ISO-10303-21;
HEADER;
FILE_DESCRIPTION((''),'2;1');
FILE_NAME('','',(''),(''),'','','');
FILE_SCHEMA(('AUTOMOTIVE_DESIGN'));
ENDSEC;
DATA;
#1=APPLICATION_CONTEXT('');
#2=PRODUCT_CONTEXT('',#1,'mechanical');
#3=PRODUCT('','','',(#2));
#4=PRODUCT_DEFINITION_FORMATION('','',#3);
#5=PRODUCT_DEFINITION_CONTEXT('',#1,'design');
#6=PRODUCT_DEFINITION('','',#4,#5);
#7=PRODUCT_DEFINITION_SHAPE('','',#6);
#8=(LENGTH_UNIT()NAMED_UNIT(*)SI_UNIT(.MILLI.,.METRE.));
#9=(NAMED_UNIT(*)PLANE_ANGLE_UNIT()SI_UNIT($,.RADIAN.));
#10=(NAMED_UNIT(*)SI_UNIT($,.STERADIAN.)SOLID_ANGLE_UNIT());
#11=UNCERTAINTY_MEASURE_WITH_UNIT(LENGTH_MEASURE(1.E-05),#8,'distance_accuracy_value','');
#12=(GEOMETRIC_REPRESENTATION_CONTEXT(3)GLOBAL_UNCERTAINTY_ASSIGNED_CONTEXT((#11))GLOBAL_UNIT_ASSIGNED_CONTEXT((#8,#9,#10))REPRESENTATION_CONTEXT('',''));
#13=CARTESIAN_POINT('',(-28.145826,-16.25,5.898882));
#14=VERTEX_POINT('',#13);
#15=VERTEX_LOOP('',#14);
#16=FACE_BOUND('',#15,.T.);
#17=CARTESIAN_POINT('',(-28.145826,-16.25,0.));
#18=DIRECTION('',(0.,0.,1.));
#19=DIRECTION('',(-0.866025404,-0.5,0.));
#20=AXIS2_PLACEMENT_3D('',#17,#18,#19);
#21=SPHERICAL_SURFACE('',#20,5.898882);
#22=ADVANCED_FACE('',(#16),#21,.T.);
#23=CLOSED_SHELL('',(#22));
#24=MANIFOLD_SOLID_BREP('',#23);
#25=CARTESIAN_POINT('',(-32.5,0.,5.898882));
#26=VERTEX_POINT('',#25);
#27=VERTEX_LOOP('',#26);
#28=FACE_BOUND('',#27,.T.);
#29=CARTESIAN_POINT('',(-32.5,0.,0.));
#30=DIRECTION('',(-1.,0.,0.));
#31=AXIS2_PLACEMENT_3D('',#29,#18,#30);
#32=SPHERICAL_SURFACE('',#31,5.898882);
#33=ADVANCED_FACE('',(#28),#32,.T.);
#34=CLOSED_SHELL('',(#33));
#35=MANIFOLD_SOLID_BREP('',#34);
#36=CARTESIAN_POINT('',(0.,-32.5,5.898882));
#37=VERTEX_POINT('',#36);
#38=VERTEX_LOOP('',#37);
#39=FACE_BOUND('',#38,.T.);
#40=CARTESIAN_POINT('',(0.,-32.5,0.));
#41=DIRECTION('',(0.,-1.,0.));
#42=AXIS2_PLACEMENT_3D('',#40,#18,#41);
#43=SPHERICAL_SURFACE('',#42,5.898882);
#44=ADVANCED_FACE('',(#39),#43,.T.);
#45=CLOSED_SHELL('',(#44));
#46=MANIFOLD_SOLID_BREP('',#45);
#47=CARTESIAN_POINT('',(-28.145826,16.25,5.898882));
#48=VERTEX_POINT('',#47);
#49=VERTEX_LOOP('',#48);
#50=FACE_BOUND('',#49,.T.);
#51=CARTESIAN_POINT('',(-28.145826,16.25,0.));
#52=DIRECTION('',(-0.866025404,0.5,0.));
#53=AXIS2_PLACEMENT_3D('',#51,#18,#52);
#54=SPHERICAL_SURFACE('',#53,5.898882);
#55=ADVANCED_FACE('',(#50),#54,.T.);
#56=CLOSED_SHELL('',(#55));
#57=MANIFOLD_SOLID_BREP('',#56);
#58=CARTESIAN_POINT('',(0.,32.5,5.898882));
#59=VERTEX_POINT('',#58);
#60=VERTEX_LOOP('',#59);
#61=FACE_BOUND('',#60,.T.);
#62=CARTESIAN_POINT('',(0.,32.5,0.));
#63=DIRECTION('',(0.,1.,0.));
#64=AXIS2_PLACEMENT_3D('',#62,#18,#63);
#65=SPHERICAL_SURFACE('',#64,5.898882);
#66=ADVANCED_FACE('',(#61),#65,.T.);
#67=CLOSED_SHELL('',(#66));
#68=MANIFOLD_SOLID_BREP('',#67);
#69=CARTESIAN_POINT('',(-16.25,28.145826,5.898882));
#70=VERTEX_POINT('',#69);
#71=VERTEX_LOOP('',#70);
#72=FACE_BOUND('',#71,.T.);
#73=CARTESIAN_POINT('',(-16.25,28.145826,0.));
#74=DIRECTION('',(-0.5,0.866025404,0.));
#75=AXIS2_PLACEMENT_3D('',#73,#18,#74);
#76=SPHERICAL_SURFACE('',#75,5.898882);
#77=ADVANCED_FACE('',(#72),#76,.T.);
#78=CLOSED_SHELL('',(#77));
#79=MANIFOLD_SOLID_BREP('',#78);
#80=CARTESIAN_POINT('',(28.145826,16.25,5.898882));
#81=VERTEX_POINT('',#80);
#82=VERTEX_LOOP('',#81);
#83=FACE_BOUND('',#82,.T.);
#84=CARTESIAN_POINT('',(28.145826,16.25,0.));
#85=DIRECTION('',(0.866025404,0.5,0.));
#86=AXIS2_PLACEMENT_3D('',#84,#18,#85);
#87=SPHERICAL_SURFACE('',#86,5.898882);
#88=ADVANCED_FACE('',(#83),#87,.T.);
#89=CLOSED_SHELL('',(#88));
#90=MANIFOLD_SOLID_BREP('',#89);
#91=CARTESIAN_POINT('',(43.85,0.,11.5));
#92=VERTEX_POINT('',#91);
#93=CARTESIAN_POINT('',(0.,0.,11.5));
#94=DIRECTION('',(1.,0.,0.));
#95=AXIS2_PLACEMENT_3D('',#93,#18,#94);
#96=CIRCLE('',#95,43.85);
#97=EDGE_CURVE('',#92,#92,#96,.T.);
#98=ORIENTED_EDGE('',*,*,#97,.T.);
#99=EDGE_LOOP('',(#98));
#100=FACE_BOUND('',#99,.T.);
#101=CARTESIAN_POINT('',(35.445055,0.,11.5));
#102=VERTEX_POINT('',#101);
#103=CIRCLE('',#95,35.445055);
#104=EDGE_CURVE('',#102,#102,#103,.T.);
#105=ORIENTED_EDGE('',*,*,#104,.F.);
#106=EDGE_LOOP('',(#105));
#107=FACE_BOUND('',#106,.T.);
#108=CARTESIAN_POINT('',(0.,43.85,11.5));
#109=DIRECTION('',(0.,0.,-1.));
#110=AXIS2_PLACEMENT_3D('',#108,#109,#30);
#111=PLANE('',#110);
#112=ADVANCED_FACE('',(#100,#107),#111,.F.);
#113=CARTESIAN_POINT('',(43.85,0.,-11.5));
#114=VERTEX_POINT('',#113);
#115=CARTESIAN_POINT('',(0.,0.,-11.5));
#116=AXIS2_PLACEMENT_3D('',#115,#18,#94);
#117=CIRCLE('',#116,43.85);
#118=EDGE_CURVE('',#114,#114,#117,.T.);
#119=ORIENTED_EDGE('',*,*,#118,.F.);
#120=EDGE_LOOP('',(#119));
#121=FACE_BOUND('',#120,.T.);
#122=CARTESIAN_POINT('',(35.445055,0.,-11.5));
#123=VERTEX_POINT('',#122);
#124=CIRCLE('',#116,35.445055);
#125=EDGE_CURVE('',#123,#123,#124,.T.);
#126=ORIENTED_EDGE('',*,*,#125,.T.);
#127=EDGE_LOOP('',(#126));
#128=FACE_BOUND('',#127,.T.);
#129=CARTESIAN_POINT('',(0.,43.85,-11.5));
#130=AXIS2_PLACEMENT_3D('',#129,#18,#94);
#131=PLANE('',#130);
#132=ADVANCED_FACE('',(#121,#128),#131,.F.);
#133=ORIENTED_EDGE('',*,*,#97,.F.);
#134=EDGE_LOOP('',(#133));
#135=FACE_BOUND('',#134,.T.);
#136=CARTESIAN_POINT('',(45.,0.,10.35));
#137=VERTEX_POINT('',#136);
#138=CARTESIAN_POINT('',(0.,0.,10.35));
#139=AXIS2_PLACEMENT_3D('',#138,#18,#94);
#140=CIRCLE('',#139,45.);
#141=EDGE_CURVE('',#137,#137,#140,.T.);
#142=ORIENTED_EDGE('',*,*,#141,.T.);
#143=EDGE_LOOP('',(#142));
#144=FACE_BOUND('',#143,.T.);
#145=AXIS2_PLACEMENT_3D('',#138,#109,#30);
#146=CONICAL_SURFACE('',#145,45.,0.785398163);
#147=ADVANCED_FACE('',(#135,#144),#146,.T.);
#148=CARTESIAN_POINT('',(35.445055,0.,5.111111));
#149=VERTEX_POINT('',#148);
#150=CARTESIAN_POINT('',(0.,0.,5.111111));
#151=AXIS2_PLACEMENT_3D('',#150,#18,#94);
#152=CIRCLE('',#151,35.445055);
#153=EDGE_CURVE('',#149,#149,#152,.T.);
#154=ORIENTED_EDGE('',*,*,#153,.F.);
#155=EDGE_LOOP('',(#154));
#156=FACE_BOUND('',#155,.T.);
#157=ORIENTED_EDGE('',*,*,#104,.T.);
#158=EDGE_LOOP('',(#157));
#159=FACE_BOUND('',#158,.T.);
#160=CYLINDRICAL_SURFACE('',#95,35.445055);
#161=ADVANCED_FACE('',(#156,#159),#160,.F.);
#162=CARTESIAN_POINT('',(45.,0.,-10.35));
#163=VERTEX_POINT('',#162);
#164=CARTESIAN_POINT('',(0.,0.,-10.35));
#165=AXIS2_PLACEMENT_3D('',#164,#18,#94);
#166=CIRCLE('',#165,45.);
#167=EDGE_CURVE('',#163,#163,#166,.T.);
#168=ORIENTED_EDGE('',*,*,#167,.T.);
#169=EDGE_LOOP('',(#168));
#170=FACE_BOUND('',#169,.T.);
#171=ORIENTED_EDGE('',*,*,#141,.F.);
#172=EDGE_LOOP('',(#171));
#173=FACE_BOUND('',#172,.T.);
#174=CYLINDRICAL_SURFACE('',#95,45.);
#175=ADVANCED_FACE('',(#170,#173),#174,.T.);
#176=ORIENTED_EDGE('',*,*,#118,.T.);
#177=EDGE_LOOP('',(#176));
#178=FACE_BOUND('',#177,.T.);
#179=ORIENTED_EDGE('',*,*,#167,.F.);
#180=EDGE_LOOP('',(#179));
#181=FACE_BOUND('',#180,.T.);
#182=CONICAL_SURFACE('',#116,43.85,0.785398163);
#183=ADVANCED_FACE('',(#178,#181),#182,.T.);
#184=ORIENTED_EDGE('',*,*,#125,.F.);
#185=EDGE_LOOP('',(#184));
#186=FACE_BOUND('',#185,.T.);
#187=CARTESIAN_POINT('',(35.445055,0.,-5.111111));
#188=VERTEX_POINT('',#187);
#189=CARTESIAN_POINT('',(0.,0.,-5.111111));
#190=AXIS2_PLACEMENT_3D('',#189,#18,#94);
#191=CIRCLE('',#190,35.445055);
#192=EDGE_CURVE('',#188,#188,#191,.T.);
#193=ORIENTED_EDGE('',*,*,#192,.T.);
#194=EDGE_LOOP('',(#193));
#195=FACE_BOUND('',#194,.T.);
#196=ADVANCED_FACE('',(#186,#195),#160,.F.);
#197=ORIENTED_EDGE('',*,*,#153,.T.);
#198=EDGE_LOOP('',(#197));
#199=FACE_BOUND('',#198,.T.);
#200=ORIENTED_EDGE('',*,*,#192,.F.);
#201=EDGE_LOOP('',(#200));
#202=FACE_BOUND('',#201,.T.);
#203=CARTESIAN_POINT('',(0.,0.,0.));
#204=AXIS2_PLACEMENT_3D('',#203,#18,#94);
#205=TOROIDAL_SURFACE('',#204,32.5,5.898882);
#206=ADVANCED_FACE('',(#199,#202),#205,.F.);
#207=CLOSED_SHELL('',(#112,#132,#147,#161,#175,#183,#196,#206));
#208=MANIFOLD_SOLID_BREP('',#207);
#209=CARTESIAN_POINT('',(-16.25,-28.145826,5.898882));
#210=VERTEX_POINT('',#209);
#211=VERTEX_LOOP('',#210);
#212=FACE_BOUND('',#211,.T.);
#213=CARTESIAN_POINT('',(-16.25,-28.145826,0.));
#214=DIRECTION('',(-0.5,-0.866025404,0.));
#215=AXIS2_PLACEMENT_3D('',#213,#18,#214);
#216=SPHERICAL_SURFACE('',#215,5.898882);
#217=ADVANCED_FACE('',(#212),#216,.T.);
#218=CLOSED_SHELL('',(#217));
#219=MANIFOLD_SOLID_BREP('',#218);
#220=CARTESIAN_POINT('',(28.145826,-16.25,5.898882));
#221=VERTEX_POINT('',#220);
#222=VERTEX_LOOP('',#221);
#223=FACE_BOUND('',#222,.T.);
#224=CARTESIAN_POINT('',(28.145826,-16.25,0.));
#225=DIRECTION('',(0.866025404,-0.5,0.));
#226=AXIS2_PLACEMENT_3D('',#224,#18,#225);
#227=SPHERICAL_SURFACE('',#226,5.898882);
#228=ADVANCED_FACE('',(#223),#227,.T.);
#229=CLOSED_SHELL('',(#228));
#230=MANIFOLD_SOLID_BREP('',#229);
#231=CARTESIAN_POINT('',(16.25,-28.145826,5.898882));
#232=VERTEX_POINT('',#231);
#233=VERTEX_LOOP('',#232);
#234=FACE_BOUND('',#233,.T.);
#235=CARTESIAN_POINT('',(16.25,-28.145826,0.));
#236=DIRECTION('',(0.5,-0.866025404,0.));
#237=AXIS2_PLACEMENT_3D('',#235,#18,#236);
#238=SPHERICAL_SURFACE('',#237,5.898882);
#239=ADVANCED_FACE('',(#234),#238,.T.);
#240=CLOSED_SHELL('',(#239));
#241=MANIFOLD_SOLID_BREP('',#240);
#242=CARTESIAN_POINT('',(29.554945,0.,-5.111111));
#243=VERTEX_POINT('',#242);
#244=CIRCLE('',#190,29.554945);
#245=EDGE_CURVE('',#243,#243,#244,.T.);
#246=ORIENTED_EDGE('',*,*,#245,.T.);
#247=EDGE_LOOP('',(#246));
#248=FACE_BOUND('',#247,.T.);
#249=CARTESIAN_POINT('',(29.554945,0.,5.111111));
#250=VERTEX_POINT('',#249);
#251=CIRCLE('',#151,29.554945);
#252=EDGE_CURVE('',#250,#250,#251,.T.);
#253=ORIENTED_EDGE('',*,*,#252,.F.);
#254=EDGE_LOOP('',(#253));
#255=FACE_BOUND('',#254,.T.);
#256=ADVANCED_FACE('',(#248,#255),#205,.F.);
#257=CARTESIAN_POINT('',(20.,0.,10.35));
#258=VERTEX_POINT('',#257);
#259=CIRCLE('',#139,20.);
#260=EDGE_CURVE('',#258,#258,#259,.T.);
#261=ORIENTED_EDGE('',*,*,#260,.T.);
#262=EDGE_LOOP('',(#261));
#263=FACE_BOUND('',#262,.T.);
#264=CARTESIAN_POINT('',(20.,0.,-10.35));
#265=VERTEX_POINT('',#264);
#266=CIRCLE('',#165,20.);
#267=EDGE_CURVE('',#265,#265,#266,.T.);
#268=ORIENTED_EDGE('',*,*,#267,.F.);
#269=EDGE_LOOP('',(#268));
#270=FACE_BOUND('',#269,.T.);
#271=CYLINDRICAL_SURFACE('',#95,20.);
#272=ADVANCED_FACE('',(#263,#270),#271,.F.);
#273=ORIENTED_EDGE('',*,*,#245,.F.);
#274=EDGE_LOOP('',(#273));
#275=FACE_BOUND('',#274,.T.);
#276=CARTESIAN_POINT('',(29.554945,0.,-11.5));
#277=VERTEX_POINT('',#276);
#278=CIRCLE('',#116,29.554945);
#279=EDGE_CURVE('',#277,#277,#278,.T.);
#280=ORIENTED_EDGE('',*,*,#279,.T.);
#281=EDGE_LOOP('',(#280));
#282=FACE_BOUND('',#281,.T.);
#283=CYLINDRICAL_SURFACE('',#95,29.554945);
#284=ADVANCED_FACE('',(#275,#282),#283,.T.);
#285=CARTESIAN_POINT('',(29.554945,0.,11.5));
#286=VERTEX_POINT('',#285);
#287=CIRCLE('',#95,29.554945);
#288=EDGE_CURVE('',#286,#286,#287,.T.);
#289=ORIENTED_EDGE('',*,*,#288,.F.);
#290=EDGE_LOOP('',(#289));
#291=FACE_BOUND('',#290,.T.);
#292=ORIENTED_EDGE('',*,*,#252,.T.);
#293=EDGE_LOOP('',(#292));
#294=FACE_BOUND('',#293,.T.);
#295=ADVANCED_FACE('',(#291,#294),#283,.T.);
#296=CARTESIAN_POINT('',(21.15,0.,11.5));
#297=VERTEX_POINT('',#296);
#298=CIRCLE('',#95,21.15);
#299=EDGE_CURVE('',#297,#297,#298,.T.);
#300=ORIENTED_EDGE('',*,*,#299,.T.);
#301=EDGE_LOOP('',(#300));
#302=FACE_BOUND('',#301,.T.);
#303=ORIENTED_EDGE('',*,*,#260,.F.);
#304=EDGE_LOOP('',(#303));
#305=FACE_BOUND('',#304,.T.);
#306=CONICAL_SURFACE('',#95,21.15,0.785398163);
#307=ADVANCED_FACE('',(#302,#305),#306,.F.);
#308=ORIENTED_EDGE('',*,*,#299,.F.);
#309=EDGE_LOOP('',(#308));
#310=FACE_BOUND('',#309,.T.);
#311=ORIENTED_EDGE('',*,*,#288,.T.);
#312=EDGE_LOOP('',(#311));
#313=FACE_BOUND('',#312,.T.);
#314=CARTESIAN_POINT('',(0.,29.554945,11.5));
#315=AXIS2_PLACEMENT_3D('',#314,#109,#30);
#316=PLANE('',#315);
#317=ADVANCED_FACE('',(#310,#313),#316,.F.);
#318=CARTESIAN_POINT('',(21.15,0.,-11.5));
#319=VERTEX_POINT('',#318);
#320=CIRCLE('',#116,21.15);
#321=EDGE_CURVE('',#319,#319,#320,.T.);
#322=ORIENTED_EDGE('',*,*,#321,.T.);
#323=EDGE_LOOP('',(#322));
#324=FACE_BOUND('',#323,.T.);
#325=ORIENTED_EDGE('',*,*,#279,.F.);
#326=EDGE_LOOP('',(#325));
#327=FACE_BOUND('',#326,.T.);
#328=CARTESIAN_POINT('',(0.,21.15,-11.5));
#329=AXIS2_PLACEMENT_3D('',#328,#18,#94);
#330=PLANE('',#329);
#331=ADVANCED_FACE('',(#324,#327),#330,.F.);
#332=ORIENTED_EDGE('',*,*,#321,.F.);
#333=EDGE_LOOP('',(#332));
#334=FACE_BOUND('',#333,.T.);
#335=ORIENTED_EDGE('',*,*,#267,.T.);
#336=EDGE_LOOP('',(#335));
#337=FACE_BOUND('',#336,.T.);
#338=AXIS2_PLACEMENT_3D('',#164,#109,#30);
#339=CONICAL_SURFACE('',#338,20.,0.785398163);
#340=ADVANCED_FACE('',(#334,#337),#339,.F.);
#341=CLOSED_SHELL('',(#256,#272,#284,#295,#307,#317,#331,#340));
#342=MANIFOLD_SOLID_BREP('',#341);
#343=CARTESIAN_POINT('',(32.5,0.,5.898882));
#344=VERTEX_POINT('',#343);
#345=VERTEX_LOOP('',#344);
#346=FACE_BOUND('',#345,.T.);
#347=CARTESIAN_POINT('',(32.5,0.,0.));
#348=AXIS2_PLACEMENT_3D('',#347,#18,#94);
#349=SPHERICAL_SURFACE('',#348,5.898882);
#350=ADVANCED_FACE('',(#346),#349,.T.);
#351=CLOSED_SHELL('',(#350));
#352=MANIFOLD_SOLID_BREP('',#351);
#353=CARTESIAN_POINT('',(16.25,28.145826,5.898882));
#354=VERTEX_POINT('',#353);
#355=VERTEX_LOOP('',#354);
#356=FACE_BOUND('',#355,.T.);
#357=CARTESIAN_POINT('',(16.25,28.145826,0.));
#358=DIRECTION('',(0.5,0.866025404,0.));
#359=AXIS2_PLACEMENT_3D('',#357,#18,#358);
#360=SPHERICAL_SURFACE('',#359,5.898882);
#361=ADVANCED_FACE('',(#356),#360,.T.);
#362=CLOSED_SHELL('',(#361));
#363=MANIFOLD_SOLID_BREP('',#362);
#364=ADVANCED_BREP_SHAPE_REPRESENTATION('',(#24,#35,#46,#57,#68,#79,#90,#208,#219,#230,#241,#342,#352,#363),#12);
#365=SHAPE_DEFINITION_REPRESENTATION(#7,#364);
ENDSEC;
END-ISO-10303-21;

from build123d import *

# Parameters (mm, degrees)
CIRPATTERN1_COUNT = 12


with BuildPart() as part:
    # Sketch1 → Revolve1 (revolve)
    with BuildSketch(Plane(origin=(0, 0, 0), x_dir=(0, 0, -1), z_dir=(1, 0, 0))):
        with BuildLine():
            Line((10.35, 45), (-10.35, 45))
            Line((-10.35, 45), (-11.5, 43.85))
            Line((-11.5, 43.85), (-11.5, 35.445054945))
            Line((-11.5, 35.445054945), (-5.111111111, 35.445054945))
            ThreePointArc((-5.111111111, 35.445054945), (0, 38.398881709), (5.111111111, 35.445054945))
            Line((5.111111111, 35.445054945), (11.5, 35.445054945))
            Line((11.5, 35.445054945), (11.5, 43.85))
            Line((11.5, 43.85), (10.35, 45))
        make_face()
    revolve(axis=Axis((0, 0, 11.5), (0, 0, -1)))


with BuildPart() as body_2:
    # Sketch3 → Revolve3 (revolve)
    with BuildSketch(Plane(origin=(0, 0, 0), x_dir=(0, 0, -1), z_dir=(1, 0, 0))):
        with BuildLine():
            Line((-11.5, 29.554945055), (-5.111111111, 29.554945055))
            ThreePointArc((-5.111111111, 29.554945055), (0, 26.601118291), (5.111111111, 29.554945055))
            Line((5.111111111, 29.554945055), (11.5, 29.554945055))
            Line((11.5, 29.554945055), (11.5, 21.15))
            Line((11.5, 21.15), (10.35, 20))
            Line((10.35, 20), (-10.35, 20))
            Line((-10.35, 20), (-11.5, 21.15))
            Line((-11.5, 21.15), (-11.5, 29.554945055))
        make_face()
    revolve(axis=Axis((0, 0, 11.5), (0, 0, -1)))


with BuildPart() as body_3:
    # Sketch4 → Revolve4 (revolve)
    with BuildSketch(Plane(origin=(0, 0, 0), x_dir=(0, 0, -1), z_dir=(1, 0, 0))):
        with BuildLine():
            Line((-5.898881709, 32.5), (5.898881709, 32.5))
            ThreePointArc((5.898881709, 32.5), (0, 38.398881709), (-5.898881709, 32.5))
        make_face()
    revolve(axis=Axis((0, 32.5, 5.898881709), (0, 0, -1)))


with BuildPart() as cirpattern1_1:
    # CirPattern1: pattern copy
    add(body_3.part.rotate(Axis((0, 0, -11.5), (0, 0, 1)), 1 * 360 / CIRPATTERN1_COUNT))


with BuildPart() as cirpattern1_2:
    # CirPattern1: pattern copy
    add(body_3.part.rotate(Axis((0, 0, -11.5), (0, 0, 1)), 2 * 360 / CIRPATTERN1_COUNT))


with BuildPart() as cirpattern1_3:
    # CirPattern1: pattern copy
    add(body_3.part.rotate(Axis((0, 0, -11.5), (0, 0, 1)), 3 * 360 / CIRPATTERN1_COUNT))


with BuildPart() as cirpattern1_4:
    # CirPattern1: pattern copy
    add(body_3.part.rotate(Axis((0, 0, -11.5), (0, 0, 1)), 4 * 360 / CIRPATTERN1_COUNT))


with BuildPart() as cirpattern1_5:
    # CirPattern1: pattern copy
    add(body_3.part.rotate(Axis((0, 0, -11.5), (0, 0, 1)), 5 * 360 / CIRPATTERN1_COUNT))


with BuildPart() as cirpattern1_6:
    # CirPattern1: pattern copy
    add(body_3.part.rotate(Axis((0, 0, -11.5), (0, 0, 1)), 6 * 360 / CIRPATTERN1_COUNT))


with BuildPart() as cirpattern1_7:
    # CirPattern1: pattern copy
    add(body_3.part.rotate(Axis((0, 0, -11.5), (0, 0, 1)), 7 * 360 / CIRPATTERN1_COUNT))


with BuildPart() as cirpattern1_8:
    # CirPattern1: pattern copy
    add(body_3.part.rotate(Axis((0, 0, -11.5), (0, 0, 1)), 8 * 360 / CIRPATTERN1_COUNT))


with BuildPart() as cirpattern1_9:
    # CirPattern1: pattern copy
    add(body_3.part.rotate(Axis((0, 0, -11.5), (0, 0, 1)), 9 * 360 / CIRPATTERN1_COUNT))


with BuildPart() as cirpattern1_10:
    # CirPattern1: pattern copy
    add(body_3.part.rotate(Axis((0, 0, -11.5), (0, 0, 1)), 10 * 360 / CIRPATTERN1_COUNT))


with BuildPart() as cirpattern1_11:
    # CirPattern1: pattern copy
    add(body_3.part.rotate(Axis((0, 0, -11.5), (0, 0, 1)), 11 * 360 / CIRPATTERN1_COUNT))


solid = Compound([part.part, body_2.part, body_3.part, cirpattern1_1.part, cirpattern1_2.part, cirpattern1_3.part, cirpattern1_4.part, cirpattern1_5.part, cirpattern1_6.part, cirpattern1_7.part, cirpattern1_8.part, cirpattern1_9.part, cirpattern1_10.part, cirpattern1_11.part])
